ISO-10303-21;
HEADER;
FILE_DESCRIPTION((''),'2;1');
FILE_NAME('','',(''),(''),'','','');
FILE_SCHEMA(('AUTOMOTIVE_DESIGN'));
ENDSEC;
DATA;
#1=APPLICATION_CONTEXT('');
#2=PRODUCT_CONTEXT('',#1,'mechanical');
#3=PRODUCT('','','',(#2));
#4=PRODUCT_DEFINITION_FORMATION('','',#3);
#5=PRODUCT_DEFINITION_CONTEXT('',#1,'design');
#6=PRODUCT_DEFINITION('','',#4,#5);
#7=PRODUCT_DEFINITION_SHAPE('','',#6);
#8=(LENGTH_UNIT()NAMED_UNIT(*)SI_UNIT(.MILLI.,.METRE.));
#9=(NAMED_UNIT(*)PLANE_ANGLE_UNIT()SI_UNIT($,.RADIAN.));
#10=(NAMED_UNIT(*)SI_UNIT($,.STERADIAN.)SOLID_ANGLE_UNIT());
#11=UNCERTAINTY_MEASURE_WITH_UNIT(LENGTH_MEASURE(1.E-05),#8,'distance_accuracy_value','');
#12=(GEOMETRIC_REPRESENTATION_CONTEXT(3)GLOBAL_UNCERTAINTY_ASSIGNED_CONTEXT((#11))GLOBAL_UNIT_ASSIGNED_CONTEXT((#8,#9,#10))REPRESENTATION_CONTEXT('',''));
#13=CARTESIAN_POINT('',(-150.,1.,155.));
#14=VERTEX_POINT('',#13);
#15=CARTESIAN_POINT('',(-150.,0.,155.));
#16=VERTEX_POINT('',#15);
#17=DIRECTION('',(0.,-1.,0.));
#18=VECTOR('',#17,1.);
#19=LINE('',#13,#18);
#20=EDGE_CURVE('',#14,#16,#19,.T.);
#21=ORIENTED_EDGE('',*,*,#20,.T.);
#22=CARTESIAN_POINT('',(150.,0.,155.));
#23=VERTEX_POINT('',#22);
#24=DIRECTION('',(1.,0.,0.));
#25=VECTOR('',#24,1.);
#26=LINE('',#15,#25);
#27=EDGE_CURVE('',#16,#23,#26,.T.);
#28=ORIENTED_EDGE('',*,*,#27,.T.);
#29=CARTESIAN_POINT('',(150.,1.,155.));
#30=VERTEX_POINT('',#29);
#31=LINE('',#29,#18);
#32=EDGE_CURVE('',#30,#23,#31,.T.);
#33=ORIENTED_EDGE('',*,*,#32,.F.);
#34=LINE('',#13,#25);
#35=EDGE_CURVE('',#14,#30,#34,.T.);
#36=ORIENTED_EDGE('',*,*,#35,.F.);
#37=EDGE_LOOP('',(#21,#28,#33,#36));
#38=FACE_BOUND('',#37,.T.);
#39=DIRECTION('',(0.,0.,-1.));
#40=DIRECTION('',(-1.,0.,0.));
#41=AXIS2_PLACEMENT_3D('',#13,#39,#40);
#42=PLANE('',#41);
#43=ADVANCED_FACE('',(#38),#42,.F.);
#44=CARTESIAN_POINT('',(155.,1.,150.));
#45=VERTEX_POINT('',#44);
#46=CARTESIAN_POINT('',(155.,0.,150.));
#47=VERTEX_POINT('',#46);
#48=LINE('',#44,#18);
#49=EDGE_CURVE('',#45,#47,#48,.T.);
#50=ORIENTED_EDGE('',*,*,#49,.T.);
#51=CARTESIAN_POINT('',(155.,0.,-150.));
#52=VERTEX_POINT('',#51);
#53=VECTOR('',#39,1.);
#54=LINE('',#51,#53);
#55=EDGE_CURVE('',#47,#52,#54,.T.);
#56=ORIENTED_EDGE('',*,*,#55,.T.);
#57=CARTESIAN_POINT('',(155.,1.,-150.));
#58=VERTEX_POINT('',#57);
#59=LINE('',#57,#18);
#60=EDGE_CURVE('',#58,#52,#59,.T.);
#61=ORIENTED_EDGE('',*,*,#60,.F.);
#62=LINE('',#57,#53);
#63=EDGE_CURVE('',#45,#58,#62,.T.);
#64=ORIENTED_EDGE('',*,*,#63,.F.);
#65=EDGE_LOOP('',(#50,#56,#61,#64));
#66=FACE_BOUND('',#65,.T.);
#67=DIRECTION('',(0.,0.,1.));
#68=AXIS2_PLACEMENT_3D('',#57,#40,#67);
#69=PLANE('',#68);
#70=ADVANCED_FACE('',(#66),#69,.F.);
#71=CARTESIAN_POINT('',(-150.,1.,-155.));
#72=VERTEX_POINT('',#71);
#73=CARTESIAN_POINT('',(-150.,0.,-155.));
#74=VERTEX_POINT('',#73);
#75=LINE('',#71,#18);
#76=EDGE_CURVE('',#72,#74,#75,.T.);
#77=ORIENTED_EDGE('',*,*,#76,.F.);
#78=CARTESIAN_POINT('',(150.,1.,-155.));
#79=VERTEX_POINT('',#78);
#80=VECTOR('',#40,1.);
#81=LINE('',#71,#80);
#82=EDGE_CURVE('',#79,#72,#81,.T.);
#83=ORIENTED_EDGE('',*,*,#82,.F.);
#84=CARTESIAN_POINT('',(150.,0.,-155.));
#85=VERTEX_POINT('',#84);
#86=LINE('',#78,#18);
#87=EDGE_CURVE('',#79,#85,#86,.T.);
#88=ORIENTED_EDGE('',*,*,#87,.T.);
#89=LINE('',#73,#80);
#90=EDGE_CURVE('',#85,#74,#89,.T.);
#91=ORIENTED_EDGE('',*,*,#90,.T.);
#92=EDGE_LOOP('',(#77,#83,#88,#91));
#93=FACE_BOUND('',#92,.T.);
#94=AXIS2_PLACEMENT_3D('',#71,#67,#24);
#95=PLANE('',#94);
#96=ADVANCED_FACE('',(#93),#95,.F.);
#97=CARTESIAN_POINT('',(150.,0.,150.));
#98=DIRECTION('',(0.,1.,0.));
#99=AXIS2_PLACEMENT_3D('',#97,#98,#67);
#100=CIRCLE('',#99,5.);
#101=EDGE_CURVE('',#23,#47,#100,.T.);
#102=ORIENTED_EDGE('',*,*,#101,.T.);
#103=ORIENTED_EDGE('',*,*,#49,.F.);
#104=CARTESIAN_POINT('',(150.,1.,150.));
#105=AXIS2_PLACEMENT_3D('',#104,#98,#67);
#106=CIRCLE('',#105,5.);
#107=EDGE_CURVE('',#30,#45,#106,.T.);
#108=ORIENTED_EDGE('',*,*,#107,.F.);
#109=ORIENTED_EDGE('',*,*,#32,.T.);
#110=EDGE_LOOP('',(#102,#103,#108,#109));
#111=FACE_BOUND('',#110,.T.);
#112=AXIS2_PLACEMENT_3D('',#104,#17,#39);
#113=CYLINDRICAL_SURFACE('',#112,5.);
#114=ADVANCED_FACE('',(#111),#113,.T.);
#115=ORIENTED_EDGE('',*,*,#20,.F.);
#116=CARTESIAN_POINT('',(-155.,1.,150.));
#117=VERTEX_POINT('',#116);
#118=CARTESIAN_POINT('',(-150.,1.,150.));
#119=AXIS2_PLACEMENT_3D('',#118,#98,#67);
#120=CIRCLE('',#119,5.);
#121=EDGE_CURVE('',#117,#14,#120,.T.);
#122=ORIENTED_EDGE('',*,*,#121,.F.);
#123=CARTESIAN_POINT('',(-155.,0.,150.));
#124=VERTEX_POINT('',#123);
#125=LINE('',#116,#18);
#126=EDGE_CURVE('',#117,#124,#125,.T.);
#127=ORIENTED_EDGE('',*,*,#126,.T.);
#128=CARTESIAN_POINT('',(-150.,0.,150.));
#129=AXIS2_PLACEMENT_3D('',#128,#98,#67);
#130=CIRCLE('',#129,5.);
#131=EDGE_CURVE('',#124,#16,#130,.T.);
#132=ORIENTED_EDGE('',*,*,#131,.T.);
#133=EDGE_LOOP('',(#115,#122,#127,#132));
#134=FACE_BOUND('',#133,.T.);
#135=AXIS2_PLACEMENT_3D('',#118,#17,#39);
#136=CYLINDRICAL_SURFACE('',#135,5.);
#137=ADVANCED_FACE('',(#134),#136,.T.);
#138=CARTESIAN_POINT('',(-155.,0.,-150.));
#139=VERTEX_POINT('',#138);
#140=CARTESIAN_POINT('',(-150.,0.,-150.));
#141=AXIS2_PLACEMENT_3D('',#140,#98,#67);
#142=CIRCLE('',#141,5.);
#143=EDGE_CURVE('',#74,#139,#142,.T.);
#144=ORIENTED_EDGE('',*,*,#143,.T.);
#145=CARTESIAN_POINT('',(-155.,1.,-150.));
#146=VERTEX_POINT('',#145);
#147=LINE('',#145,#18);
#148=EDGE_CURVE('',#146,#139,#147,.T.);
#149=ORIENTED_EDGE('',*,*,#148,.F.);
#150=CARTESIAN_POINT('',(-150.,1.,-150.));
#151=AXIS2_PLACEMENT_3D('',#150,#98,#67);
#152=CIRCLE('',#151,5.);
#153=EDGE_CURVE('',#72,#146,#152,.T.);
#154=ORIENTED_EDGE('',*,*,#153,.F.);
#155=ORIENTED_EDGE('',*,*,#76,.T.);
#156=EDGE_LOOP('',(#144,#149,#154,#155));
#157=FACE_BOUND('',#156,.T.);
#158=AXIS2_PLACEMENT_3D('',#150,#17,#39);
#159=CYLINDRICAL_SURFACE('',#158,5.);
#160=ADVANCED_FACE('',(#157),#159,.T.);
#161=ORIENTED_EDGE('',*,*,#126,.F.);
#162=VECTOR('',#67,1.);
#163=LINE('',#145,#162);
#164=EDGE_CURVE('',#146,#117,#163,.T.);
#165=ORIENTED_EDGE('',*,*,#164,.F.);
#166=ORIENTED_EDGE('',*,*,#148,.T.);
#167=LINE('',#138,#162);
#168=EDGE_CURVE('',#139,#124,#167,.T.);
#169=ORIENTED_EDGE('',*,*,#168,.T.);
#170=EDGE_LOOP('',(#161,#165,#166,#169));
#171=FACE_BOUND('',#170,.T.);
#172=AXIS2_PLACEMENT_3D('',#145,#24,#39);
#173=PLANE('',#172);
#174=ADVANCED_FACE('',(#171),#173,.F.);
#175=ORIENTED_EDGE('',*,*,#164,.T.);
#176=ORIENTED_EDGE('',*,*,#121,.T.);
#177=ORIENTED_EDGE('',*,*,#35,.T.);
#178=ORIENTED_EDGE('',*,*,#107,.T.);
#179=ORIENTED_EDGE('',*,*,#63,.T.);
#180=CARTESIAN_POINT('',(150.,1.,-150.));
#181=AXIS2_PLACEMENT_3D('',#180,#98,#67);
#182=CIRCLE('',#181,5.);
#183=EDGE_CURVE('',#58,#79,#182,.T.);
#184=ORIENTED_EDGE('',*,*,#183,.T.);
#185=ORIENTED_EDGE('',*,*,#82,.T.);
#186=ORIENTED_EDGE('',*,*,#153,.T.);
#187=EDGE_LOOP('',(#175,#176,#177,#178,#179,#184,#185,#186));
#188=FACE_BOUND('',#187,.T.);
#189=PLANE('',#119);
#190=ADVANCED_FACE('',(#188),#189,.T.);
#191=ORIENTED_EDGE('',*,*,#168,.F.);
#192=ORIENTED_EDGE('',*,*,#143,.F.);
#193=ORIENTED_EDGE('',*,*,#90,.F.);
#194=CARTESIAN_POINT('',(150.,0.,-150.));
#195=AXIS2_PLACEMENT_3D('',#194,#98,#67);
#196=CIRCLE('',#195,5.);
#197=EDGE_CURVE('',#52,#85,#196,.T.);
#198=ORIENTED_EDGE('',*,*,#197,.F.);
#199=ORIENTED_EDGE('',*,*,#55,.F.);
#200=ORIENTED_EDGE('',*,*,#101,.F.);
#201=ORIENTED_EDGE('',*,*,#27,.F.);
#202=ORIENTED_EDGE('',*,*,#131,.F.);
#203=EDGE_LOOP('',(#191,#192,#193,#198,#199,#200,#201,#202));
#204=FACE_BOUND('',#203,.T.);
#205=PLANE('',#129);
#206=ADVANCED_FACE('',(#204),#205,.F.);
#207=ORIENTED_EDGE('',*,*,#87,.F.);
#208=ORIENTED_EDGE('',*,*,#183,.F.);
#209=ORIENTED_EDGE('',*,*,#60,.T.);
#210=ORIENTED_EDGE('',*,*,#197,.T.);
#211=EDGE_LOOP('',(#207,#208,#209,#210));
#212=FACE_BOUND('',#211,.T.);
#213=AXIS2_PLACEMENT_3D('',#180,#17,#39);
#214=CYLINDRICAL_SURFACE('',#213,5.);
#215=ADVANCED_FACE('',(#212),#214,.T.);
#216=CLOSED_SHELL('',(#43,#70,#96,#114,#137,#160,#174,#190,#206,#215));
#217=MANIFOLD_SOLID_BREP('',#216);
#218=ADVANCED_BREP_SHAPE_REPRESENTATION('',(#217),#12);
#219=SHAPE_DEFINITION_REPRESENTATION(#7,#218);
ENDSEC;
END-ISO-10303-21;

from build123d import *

# Parameters (mm, degrees)
EXTRUDE_1_DEPTH = 1


with BuildPart() as part:
    # 草图1 → 凸台-拉伸1 (new body)
    with BuildSketch(Plane(origin=(0, 0, 0), x_dir=(1, 0, 0), z_dir=(0, 1, 0))):
        with BuildLine():
            Line((-150, 155), (150, 155))
            ThreePointArc((150, 155), (153.535533906, 153.535533906), (155, 150))
            Line((155, 150), (155, -150))
            ThreePointArc((155, -150), (153.535533906, -153.535533906), (150, -155))
            Line((150, -155), (-150, -155))
            ThreePointArc((-150, -155), (-153.535533906, -153.535533906), (-155, -150))
            Line((-155, -150), (-155, 150))
            ThreePointArc((-155, 150), (-153.535533906, 153.535533906), (-150, 155))
        make_face()
    extrude(amount=EXTRUDE_1_DEPTH)


solid = part.part
